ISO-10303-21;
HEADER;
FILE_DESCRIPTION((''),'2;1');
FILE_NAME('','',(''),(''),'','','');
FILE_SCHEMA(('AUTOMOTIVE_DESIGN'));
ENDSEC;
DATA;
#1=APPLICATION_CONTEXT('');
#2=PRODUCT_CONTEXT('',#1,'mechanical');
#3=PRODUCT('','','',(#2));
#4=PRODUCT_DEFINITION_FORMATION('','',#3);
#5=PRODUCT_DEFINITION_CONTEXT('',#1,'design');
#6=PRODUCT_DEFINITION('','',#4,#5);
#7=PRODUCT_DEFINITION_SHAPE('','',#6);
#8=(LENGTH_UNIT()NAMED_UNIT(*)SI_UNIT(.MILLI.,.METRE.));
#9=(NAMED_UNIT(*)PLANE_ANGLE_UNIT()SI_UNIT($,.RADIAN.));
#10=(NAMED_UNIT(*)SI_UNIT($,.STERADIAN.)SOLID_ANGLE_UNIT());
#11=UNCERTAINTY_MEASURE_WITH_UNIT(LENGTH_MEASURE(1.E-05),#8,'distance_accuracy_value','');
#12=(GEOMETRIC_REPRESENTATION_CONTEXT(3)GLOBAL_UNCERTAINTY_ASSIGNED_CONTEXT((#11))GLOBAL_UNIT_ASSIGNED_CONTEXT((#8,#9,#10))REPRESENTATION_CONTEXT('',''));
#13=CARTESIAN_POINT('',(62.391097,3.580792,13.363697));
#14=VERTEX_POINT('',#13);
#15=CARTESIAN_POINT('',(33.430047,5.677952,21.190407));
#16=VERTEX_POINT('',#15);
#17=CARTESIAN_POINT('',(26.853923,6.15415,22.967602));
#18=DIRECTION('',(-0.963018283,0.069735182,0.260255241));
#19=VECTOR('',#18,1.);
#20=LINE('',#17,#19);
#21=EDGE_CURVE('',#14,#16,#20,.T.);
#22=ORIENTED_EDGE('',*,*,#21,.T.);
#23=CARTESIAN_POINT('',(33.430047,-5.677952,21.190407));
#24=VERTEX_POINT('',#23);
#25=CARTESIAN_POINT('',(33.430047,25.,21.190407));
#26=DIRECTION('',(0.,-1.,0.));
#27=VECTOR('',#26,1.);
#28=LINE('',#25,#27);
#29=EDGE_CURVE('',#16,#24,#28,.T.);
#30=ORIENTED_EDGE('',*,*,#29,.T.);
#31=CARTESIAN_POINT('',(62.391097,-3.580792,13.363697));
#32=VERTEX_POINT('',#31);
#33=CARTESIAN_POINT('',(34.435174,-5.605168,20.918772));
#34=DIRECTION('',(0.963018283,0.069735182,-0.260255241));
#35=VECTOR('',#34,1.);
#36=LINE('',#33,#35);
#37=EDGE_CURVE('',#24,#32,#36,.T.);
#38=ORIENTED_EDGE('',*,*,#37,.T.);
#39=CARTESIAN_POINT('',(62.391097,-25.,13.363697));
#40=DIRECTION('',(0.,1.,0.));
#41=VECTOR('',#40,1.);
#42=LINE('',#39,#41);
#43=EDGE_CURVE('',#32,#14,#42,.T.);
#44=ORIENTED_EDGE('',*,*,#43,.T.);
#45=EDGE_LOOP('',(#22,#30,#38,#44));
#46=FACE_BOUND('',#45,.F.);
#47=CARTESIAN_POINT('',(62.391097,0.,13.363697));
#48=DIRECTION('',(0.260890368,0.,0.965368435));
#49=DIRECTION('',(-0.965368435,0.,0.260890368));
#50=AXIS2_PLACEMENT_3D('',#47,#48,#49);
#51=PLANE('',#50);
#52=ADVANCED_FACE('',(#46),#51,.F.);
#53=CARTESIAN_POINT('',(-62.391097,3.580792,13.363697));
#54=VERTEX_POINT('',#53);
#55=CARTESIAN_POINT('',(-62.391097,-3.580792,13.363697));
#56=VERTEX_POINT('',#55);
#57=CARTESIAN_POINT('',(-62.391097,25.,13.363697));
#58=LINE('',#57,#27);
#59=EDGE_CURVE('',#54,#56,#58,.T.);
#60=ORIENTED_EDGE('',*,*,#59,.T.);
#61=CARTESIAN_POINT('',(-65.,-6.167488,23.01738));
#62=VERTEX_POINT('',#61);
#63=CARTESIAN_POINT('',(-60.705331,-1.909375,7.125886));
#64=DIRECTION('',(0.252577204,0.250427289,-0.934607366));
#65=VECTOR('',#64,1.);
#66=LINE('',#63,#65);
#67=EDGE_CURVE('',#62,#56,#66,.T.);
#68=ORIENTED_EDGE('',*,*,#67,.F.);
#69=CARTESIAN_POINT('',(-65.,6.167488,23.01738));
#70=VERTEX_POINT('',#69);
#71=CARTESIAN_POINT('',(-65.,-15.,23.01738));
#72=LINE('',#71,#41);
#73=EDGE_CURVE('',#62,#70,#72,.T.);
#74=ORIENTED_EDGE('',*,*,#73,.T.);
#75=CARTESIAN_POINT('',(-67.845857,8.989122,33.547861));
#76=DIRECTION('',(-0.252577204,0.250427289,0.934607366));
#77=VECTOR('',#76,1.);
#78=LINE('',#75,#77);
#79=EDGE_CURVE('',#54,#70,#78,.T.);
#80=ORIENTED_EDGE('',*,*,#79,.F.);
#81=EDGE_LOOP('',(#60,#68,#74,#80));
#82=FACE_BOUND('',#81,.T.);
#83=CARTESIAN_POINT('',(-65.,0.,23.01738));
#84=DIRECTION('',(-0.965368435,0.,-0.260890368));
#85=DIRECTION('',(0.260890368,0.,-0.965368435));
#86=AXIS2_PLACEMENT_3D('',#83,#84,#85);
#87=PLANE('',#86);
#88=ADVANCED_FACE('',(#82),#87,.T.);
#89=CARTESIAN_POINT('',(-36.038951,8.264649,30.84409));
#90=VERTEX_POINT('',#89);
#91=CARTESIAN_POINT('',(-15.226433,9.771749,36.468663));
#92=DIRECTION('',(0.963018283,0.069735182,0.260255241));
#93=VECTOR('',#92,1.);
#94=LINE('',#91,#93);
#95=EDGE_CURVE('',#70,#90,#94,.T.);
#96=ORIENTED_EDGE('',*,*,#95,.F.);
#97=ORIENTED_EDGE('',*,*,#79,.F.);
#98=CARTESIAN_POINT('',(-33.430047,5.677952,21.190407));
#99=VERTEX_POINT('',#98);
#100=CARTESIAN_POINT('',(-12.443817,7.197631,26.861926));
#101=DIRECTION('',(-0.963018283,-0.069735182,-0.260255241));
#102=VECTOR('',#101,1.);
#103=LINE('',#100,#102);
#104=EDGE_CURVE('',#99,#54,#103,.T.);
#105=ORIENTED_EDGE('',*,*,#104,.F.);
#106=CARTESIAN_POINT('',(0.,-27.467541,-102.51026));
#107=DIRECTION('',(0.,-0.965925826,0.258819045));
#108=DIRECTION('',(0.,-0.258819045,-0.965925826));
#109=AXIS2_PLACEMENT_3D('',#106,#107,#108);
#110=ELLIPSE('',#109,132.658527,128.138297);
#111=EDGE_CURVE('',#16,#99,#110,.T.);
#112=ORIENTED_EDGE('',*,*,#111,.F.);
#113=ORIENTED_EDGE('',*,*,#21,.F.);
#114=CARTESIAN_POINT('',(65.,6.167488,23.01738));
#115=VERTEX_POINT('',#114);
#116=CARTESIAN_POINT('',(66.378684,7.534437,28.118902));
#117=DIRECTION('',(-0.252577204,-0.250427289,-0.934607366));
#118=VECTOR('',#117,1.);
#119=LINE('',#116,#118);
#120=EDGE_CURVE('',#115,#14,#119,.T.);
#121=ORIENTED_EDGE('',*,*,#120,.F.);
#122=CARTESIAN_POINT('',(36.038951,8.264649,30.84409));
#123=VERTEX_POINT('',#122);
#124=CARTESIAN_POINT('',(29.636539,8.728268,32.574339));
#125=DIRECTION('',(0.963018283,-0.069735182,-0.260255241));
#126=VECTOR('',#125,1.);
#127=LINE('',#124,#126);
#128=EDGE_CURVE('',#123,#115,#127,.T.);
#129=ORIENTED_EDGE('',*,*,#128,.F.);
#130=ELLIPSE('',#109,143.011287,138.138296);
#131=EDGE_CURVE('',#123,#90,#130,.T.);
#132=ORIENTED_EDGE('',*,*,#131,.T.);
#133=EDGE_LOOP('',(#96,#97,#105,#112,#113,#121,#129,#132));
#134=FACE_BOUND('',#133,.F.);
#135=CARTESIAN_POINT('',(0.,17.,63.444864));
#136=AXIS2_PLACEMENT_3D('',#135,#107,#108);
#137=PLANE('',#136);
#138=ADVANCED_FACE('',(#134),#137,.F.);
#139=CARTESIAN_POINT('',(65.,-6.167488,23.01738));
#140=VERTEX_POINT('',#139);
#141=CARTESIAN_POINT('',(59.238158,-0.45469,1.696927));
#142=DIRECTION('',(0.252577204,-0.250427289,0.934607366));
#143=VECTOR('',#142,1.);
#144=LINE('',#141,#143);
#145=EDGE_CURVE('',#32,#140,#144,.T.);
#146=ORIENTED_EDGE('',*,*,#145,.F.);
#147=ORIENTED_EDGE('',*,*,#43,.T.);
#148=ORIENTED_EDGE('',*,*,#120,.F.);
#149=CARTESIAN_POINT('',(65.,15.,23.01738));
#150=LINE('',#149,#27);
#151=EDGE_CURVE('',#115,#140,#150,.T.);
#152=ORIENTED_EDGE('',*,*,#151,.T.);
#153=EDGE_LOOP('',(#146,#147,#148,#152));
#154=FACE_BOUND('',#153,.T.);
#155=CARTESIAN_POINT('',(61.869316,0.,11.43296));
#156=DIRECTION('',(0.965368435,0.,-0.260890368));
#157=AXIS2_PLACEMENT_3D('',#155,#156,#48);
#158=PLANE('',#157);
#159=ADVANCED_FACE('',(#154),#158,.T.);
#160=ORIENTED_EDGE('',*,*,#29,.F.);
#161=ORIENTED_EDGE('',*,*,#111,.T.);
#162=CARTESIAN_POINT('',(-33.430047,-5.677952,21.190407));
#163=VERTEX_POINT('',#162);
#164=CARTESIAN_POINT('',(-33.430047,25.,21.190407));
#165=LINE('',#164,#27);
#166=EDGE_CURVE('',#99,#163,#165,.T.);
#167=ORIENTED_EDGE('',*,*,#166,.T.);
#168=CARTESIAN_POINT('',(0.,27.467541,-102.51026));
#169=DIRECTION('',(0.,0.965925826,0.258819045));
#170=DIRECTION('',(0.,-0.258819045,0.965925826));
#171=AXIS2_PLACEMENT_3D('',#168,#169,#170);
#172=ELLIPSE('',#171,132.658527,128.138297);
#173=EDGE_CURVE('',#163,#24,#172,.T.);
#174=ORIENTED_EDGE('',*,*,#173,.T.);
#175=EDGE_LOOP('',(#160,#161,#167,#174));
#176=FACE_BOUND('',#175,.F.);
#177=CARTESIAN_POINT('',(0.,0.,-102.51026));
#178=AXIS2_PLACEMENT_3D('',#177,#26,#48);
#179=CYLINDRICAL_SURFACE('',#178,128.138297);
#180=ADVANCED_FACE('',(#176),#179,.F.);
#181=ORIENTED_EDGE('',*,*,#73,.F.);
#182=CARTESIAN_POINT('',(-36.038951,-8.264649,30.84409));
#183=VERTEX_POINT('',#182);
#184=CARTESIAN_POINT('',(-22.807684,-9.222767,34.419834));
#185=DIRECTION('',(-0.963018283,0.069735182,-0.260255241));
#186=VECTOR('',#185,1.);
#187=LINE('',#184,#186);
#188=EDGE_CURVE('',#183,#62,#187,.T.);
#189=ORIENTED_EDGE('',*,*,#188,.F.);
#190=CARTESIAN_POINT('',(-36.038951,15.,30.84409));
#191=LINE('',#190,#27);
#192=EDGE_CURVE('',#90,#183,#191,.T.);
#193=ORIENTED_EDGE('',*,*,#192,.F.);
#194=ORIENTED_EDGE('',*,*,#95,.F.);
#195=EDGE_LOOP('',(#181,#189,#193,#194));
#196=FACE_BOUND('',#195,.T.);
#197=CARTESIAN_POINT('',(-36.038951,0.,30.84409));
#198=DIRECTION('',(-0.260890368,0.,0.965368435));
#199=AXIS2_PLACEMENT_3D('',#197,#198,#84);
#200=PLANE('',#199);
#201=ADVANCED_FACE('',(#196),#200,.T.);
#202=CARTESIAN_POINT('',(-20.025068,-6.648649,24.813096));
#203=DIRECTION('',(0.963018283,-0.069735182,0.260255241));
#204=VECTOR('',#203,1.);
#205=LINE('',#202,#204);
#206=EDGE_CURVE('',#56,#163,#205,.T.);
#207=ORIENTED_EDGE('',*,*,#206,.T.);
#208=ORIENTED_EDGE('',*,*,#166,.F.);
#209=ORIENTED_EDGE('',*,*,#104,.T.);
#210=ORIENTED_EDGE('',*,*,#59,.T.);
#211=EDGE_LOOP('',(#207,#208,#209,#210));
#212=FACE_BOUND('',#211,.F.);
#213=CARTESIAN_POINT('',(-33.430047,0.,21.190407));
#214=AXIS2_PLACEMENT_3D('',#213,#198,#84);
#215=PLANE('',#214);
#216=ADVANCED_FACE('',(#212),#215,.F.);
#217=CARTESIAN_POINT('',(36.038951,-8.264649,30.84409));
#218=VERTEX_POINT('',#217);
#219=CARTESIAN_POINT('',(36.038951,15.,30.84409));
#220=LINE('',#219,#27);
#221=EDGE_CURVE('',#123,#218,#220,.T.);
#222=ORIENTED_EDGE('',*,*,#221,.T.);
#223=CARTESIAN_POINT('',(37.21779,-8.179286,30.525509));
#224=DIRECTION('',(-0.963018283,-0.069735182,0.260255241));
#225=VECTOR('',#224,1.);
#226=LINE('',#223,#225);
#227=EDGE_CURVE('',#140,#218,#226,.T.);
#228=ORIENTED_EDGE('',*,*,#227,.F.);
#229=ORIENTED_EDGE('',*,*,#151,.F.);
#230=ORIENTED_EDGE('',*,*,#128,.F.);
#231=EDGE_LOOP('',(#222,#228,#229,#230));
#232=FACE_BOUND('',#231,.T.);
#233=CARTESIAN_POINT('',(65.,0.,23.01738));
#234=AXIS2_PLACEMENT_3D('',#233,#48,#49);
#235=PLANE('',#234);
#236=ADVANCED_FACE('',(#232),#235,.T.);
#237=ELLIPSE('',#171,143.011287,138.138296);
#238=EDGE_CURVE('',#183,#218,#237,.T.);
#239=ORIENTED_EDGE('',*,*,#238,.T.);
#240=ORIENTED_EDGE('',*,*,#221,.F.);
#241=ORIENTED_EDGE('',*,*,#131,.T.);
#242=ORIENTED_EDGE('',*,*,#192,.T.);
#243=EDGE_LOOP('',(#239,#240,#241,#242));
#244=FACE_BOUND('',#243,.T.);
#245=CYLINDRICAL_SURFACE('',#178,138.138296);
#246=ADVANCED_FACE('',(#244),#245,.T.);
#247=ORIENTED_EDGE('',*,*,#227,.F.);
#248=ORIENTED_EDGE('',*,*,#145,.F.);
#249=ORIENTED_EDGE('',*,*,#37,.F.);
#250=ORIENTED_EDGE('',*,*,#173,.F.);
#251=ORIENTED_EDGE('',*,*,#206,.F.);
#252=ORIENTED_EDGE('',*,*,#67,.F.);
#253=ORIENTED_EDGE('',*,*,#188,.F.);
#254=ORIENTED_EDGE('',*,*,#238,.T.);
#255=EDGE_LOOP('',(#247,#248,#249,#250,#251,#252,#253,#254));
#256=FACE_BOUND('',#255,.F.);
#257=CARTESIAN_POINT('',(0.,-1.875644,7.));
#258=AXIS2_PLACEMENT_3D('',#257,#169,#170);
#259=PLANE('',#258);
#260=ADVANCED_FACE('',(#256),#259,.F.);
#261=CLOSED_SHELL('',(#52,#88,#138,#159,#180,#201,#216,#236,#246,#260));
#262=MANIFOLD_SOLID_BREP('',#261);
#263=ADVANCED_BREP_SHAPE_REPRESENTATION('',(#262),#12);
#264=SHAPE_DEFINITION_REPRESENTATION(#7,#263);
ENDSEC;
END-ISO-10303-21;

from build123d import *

# Parameters (mm, degrees)
F1_DEPTH = 15
F3_DEPTH = 100
F5_DEPTH = 25


with BuildPart() as f1:
    # F0 (on Front) → F1 (new body, symmetric)
    with BuildSketch(Plane.XZ):
        with BuildLine():
            ThreePointArc((-32.9082667369, 19.25967), (0, 23.6280366002), (32.9082667369, 19.25967))
            Line((32.9082667369, 19.25967), (61.8693159107, 11.43296))
            Line((61.8693159107, 11.43296), (65, 23.01738))
            Line((65, 23.01738), (36.0389508262, 30.84409))
            ThreePointArc((36.0389508262, 30.84409), (0, 35.6280353337), (-36.0389508262, 30.84409))
            Line((-36.0389508262, 30.84409), (-65, 23.01738))
            Line((-65, 23.01738), (-61.8693159107, 11.43296))
            Line((-61.8693159107, 11.43296), (-32.9082667369, 19.25967))
        make_face()
    extrude(amount=F1_DEPTH, both=True)

    # F2 (on Right) → F3 (cut, symmetric)
    with BuildSketch(Plane.YZ):
        Polygon((-1.875644347, 7), (-17, 63.4448637287), (-17, 0), (0, 0), (17, 0), (17, 63.4448637287), (1.875644347, 7), align=None)
    extrude(amount=F3_DEPTH, both=True, mode=Mode.SUBTRACT)

    # F4 (on Front) → F5 (cut, symmetric)
    with BuildSketch(Plane.XZ):
        with BuildLine():
            Line((62.3910966473, 13.3636968704), (33.4300474735, 21.1904068704))
            ThreePointArc((33.4300474735, 21.1904068704), (0, 25.6280366002), (-33.4300474735, 21.1904068704))
            Line((-33.4300474735, 21.1904068704), (-62.3910966473, 13.3636968704))
            Line((-62.3910966473, 13.3636968704), (-61.8693159107, 11.43296))
            Line((-61.8693159107, 11.43296), (-32.9082667369, 19.25967))
            ThreePointArc((-32.9082667369, 19.25967), (0, 23.6280366002), (32.9082667369, 19.25967))
            Line((32.9082667369, 19.25967), (61.8693159107, 11.43296))
            Line((61.8693159107, 11.43296), (62.3910966473, 13.3636968704))
        make_face()
    extrude(amount=F5_DEPTH, both=True, mode=Mode.SUBTRACT)


solid = f1.part
